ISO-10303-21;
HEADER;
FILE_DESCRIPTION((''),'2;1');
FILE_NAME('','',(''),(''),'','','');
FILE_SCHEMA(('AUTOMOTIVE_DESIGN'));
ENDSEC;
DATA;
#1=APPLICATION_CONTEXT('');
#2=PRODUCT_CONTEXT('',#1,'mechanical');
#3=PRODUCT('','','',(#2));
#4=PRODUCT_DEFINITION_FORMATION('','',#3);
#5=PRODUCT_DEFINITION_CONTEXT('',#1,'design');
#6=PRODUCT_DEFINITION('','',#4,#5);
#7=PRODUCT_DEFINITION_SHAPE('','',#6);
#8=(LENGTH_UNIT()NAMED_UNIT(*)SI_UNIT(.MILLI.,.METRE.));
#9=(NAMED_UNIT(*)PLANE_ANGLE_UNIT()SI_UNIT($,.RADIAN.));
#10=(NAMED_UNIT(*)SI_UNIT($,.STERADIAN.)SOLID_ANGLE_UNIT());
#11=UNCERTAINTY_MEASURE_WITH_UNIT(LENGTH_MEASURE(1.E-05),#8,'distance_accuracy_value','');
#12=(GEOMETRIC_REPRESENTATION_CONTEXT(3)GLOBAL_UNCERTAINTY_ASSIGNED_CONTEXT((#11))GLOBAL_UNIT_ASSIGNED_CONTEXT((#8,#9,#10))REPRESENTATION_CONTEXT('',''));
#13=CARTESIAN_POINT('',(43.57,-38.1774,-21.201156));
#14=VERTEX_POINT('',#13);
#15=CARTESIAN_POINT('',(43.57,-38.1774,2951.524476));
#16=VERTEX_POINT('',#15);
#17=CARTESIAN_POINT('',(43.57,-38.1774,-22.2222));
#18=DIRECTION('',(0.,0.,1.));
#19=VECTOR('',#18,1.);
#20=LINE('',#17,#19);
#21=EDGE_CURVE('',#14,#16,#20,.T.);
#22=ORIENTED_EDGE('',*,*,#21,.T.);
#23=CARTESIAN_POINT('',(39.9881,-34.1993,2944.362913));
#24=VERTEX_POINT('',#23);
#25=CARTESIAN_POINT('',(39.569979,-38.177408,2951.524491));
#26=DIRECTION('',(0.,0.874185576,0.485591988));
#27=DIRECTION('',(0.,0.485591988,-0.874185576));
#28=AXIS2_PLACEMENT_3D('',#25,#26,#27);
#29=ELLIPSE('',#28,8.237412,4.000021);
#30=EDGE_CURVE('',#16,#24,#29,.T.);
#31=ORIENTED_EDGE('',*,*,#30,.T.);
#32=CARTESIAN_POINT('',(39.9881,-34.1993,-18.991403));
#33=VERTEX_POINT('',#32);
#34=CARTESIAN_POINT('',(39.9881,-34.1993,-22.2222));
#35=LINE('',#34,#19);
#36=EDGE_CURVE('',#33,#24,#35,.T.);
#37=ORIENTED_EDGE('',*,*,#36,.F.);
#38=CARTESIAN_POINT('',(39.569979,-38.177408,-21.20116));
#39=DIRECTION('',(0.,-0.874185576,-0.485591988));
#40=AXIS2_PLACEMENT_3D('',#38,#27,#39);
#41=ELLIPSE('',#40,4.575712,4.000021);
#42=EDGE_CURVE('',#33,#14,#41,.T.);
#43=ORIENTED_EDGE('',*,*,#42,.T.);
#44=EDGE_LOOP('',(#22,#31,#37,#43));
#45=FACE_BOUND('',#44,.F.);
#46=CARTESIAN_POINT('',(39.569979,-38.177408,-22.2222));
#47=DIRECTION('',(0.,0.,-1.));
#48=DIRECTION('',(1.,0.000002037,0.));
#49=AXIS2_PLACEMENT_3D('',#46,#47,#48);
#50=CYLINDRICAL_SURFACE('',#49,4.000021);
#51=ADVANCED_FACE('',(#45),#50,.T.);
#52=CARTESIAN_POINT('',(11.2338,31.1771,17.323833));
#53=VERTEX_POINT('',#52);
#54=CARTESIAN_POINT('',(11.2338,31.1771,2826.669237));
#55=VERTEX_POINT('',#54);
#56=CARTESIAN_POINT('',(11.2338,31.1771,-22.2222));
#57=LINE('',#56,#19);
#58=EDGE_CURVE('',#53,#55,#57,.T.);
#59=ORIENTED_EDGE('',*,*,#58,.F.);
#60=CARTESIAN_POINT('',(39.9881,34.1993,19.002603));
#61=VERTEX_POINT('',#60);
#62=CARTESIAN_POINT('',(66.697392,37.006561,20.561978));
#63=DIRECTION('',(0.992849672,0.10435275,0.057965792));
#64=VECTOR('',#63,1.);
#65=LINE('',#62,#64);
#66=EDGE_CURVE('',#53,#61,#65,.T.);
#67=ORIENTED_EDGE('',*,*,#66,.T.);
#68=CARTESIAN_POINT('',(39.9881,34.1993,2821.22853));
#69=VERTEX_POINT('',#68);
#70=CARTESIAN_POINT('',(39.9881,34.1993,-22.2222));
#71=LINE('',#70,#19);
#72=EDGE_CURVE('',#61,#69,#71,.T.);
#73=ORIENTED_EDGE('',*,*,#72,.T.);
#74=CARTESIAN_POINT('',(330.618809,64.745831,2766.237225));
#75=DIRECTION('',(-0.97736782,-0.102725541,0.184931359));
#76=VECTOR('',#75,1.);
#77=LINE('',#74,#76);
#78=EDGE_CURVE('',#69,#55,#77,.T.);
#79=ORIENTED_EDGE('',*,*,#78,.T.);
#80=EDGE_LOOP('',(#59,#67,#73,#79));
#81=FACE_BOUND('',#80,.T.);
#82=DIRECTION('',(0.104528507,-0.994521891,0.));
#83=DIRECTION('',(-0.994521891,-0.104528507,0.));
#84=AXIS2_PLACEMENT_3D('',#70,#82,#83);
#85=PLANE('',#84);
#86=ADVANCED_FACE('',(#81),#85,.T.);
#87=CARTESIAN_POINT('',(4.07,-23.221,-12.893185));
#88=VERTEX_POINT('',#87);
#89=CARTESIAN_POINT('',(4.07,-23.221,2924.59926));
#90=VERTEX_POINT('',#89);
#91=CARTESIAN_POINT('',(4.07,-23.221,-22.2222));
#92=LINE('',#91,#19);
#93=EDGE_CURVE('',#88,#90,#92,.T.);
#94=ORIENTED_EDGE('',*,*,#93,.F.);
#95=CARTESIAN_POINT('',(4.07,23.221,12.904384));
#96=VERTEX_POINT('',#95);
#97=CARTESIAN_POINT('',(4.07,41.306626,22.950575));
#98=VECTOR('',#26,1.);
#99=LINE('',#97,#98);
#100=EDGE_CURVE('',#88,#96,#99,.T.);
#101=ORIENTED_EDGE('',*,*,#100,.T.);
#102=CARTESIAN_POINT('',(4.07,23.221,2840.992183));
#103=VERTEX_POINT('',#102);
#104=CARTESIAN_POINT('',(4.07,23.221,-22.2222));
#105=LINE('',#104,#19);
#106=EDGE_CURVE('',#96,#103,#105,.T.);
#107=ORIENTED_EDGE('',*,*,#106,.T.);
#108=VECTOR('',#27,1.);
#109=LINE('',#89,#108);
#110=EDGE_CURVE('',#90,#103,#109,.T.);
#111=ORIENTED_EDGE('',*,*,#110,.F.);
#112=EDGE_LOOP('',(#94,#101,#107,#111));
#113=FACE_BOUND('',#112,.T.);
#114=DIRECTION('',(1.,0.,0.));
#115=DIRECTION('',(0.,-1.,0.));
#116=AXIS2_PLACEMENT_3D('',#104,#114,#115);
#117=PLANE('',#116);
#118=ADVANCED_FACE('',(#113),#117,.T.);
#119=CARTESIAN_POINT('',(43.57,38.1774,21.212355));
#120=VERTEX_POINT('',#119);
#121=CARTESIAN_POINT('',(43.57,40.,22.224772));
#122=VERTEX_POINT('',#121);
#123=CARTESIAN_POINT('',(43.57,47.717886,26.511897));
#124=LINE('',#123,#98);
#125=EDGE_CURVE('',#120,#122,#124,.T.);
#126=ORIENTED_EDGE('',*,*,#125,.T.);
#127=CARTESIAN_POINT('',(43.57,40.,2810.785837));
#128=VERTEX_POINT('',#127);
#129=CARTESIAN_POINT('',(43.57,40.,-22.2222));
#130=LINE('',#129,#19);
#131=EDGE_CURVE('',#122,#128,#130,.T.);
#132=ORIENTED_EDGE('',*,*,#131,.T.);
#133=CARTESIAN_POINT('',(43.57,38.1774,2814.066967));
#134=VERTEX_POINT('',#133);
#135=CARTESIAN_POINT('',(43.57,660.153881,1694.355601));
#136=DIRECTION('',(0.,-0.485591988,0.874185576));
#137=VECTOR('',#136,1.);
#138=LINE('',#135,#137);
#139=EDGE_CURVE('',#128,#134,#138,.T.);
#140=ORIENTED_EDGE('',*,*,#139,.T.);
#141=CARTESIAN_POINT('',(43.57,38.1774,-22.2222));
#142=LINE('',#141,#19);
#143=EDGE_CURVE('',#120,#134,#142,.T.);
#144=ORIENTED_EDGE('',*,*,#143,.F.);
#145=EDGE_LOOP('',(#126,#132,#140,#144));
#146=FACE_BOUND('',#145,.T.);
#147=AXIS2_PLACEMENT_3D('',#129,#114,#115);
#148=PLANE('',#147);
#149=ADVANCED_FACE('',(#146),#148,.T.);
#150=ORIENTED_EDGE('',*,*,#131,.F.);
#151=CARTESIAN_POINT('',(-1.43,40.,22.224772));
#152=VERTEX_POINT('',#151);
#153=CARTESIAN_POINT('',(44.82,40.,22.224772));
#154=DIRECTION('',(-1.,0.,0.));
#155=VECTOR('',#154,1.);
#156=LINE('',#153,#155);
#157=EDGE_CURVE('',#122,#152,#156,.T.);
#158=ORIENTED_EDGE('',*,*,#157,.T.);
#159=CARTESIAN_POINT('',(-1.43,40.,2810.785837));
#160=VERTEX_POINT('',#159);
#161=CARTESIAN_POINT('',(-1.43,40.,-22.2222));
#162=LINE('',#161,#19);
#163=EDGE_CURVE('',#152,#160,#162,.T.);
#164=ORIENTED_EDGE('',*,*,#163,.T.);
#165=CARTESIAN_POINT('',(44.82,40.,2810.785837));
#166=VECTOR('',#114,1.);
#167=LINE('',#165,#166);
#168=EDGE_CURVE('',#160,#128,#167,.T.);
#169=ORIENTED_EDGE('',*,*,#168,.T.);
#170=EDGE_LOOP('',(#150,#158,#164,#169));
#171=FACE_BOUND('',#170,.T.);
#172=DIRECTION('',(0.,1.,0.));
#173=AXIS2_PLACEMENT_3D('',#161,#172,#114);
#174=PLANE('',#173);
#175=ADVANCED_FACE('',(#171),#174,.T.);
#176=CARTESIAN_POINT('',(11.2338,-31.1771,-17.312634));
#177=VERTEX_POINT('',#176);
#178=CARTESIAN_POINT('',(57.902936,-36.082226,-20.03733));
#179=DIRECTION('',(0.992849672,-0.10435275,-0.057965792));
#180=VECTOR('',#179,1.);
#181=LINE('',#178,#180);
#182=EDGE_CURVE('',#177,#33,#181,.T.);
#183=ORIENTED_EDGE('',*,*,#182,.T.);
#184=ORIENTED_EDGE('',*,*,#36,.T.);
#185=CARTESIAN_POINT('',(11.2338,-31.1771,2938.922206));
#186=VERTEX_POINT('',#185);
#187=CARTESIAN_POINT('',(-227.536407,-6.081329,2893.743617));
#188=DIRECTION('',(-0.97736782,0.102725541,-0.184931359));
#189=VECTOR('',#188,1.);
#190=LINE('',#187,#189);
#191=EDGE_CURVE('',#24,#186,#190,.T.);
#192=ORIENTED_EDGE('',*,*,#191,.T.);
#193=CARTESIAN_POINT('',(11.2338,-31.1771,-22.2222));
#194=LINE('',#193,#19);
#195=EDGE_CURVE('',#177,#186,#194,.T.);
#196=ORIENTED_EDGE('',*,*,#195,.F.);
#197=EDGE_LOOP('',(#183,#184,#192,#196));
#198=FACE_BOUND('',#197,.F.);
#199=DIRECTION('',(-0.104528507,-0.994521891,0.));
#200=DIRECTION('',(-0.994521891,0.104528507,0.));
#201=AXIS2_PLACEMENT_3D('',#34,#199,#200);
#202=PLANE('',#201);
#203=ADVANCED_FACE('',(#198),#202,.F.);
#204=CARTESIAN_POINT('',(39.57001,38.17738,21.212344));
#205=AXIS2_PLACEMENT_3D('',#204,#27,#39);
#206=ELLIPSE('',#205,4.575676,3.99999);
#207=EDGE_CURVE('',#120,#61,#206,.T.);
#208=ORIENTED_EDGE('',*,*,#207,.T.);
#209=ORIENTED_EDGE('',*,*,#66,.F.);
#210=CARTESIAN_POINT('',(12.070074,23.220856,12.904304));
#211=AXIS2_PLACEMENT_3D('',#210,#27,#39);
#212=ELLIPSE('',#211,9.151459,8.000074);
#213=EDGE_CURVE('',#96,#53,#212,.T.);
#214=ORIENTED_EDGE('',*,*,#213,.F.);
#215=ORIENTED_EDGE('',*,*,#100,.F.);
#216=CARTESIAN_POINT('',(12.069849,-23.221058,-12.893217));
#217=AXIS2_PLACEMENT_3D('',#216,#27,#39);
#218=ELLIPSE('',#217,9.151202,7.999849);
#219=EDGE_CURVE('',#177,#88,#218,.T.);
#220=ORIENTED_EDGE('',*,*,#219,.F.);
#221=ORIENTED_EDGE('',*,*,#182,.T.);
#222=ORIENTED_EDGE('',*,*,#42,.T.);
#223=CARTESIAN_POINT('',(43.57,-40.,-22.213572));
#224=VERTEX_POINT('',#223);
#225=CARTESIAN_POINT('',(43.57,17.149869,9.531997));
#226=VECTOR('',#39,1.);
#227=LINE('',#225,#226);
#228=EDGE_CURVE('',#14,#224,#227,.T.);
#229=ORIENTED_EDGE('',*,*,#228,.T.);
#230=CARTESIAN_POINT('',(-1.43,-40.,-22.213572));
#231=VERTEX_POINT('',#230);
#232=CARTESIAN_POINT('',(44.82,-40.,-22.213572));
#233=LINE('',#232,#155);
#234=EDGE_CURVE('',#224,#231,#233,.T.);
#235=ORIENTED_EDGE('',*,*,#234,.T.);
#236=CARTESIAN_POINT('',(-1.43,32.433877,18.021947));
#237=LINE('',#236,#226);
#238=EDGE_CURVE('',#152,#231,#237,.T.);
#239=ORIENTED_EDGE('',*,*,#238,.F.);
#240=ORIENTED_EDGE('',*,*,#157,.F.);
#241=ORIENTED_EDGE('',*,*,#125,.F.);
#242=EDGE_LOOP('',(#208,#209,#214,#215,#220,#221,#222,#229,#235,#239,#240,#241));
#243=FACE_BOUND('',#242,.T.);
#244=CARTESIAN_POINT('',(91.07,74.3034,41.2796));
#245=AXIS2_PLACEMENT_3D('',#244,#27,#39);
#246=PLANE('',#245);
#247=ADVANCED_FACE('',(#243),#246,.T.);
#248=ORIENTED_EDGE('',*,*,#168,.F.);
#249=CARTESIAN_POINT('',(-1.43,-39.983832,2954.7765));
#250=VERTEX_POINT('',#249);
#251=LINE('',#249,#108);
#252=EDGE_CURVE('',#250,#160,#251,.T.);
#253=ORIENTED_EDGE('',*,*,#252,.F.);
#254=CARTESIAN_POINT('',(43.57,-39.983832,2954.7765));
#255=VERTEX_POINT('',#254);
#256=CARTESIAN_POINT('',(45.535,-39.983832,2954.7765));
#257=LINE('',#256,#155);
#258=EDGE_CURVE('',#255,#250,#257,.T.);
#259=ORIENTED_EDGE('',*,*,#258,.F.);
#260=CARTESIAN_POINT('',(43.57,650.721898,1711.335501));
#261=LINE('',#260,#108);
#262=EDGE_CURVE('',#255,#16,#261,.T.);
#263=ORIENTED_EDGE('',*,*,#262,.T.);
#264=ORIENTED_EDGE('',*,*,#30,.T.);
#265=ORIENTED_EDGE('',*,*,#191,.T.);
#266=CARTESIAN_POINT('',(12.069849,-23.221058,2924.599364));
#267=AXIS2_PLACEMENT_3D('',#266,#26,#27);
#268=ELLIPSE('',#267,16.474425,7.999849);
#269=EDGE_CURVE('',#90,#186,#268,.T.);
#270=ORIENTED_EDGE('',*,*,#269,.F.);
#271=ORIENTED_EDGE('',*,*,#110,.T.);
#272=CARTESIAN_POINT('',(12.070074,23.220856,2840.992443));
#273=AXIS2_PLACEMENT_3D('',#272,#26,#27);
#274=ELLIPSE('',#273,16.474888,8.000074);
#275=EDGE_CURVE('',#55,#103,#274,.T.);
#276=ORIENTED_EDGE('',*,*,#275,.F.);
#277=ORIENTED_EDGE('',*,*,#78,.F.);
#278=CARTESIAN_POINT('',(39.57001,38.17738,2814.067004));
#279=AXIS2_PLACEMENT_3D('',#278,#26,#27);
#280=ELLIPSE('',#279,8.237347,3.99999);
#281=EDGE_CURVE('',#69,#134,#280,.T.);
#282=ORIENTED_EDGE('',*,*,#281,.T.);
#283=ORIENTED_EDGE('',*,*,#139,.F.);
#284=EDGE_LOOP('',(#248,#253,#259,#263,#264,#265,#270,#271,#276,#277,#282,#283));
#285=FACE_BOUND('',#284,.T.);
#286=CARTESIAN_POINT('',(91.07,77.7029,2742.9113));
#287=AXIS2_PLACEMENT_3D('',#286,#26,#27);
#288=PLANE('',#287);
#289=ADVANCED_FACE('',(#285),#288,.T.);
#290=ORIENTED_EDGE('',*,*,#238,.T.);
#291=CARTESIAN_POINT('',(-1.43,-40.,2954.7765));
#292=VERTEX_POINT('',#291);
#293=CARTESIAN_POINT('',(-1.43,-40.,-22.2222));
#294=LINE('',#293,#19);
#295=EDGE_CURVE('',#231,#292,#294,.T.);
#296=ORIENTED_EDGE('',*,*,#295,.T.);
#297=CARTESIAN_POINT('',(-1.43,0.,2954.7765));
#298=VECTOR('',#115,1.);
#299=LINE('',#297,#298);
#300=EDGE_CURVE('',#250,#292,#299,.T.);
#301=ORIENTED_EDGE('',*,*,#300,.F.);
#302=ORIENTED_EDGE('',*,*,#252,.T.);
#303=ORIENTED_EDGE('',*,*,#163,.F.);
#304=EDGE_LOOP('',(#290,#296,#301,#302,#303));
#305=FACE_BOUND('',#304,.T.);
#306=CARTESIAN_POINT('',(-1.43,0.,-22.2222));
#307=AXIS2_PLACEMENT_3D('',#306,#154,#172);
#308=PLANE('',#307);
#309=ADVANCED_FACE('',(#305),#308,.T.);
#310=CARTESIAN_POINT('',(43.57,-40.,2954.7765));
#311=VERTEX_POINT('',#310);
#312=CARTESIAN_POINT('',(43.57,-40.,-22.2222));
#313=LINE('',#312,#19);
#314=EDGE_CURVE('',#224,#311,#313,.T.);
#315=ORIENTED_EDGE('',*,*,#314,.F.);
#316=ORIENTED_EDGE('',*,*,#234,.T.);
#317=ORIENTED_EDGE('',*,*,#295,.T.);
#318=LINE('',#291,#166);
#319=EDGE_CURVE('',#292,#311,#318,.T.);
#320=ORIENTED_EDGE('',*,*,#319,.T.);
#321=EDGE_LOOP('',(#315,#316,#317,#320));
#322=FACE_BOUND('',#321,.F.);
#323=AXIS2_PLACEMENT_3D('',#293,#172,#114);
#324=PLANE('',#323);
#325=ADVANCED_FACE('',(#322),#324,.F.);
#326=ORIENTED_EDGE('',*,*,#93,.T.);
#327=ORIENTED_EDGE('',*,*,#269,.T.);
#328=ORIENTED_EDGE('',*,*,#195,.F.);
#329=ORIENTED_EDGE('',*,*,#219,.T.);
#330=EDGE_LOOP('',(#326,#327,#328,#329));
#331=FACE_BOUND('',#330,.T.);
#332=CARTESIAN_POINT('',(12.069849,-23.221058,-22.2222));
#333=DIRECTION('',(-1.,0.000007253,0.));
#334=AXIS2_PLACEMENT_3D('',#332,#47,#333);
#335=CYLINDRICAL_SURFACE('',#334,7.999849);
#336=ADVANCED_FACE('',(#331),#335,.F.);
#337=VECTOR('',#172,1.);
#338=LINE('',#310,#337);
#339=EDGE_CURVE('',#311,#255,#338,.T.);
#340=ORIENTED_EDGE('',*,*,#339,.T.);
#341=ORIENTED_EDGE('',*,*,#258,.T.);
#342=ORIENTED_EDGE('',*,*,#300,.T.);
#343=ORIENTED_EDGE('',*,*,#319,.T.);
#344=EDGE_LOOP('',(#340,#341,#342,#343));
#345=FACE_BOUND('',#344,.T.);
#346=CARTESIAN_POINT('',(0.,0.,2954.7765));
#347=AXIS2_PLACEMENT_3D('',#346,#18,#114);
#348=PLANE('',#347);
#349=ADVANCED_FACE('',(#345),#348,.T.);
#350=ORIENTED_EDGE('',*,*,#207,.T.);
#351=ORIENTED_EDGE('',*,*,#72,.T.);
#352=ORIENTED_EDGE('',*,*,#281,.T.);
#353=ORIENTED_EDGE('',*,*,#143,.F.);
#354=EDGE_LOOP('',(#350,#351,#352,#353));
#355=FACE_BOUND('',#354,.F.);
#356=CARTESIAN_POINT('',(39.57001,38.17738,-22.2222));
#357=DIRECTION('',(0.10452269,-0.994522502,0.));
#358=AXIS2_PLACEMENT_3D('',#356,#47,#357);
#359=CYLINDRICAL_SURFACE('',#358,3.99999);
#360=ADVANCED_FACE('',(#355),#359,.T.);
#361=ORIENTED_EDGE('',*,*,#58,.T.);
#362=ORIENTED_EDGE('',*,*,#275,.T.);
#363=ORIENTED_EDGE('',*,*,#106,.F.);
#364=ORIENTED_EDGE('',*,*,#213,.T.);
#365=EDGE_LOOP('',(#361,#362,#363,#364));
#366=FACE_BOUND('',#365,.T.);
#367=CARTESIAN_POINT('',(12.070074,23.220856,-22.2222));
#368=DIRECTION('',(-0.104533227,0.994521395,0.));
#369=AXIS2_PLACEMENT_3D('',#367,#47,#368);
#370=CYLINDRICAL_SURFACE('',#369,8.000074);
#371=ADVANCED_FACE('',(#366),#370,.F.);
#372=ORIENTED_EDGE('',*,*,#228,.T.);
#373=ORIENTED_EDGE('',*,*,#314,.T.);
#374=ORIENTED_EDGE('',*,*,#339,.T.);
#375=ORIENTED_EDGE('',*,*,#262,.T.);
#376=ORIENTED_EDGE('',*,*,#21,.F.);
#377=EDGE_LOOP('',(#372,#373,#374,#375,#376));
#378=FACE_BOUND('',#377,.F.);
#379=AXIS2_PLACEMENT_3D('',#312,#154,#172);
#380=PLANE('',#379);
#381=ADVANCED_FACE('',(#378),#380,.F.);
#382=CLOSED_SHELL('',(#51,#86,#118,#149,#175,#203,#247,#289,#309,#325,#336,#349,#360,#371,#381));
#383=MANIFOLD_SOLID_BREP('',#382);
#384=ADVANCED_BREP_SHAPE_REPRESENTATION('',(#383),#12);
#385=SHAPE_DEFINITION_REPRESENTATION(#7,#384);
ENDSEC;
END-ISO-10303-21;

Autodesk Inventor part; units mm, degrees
ref_plane "Начальная плоскость" through (0, 0, -22.2222) normal (0, 0, 1) x (1, 0, 0)
ref_plane "Конечная плоскость" through (0, 0, 2954.7764) normal (0, 0, 1) x (1, 0, 0)
sketch "Эскиз" plane through (0, 0, 0) normal (0, 0, 1) x (1, 0, 0)
  line L0 (-1.43, 0) -> (-1.43, 40)
  line L1 (-1.43, 40) -> (43.57, 40)
  line L2 (43.57, 40) -> (43.57, 38.1774)
  line L3 (39.9881, 34.1993) -> (11.2338, 31.1771)
  line L4 (4.07, 23.221) -> (4.07, 0)
  line L5 (4.07, 0) -> (-1.43, 0) construction
  line L6 (23.82, 40) -> (23.82, 32.5) construction
  line L7 (43.57, 34.5758) -> (43.57, 32.5) construction
  line L8 (43.57, 32.5) -> (23.82, 32.5) construction
  line L9 (0, 15) -> (0, -27) construction
  line L10 (-5.539, 0) -> (16.0067, 0) construction
  line L11 (-1.43, 0) -> (-1.43, -40)
  line L12 (-1.43, -40) -> (43.57, -40)
  line L13 (43.57, -40) -> (43.57, -38.1774)
  line L14 (39.9881, -34.1993) -> (11.2338, -31.1771)
  line L15 (4.07, -23.221) -> (4.07, 0)
  arc A0 (11.2338, 31.1771) -> (4.07, 23.221) centre (12.07, 23.221) ccw
  arc A1 (4.07, -23.221) -> (11.2338, -31.1771) centre (12.07, -23.221) ccw
  arc A2 (39.9881, 34.1993) -> (43.57, 38.1774) centre (39.57, 38.1774) ccw
  arc A3 (43.57, -38.1774) -> (39.9881, -34.1993) centre (39.57, -38.1774) ccw
  line L16 (0, 56) -> (0, -56) construction
  line L17 (-15.5135, 0) -> (54.308, 0) construction
  point P0 (4.07, 30.4242)
  point P1 (43.57, -34.5758)
  point P2 (4.07, -30.4242)
  point P3 (23.82, -40)
  point P4 (23.82, -32.5)
  dimension "d0" = 5.5
  dimension "d1" = 40
  dimension "d2" = 45
  dimension "d3" = 7.5
  dimension "d4" = 19.75
  dimension "d5" = 2.0758
  dimension "d23" = 8
  dimension "d24" = 4
  dimension "d25" = 1.43
extrude "Тело" add sketch "Эскиз" along normal up to surface (2976.9987 mm away) from surface at -22.2222
sketch "Sketch3" plane through (0, 0, 0) normal (0, 0, 1) x (1, 0, 0)
  line L0 (0, 0) -> (10, 0)
ref_plane "Work Plane3" through (0, 0, 0) normal (0, -1, 0) x (1, 0, 0)
sketch "Sketch4" plane through (0, 0, 0) normal (0, -1, 0) x (1, 0, 0)
  line L0 (-2, -22.2222) -> (12, -22.2222)
  line L1 (-2, 2954.7764) -> (12, 2954.7764)
  dimension "d29" = 2976.9987
ref_plane "РабПлоскость4" through (91.07, 77.7029, 2742.9113) normal (0, 0.8742, 0.4856) x (1, 0, 0)
split "Разделение1" plane through (91.07, 77.7029, 2742.9113) removes the side toward (0, 0.8742, 0.4856)
ref_plane "РабПлоскость5" through (91.07, 74.3034, 41.2796) normal (0, 0.4856, -0.8742) x (1, 0, 0)
split "Разделение2" plane through (91.07, 74.3034, 41.2796) removes the side toward (0, 0.4856, -0.8742)
equation "\"d0\" = G_T"
equation "\"d1\" = 0.5 * G_H"
equation "\"d2\" = G_W"
equation "\"d3\" = G_T1"
equation "\"d4\" = G_C"
equation "\"d23\" = G_IR"
equation "\"d24\" = G_ER"
equation "\"d25\" = ex"
equation "\"d6\" = G_L"
equation "\"G_W\" = 45"
equation "\"G_T\" = 5.5"
equation "\"G_T1\" = 7.5"
equation "\"G_NG\" = 0.105104"
equation "\"G_ER\" = 4"
equation "\"G_IR\" = 8"
equation "\"G_C\" = 19.75"
equation "\"G_L\" = d29"
equation "\"ex\" = 1.43"
equation "\"G_OFFSET_START\" = 22.22222"
equation "\"G_OFFSET_END\" = 72"
equation "\"d26\" = -G_OFFSET_START"
equation "\"d27\" = G_OFFSET_END + B_L"
equation "\"B_L\" = 2882.77644"
equation "\"G_H\" = 80"
properties part number "ISO 657/11 - CH 80 x 8 - 2977" material "Сталь, мягкая"
